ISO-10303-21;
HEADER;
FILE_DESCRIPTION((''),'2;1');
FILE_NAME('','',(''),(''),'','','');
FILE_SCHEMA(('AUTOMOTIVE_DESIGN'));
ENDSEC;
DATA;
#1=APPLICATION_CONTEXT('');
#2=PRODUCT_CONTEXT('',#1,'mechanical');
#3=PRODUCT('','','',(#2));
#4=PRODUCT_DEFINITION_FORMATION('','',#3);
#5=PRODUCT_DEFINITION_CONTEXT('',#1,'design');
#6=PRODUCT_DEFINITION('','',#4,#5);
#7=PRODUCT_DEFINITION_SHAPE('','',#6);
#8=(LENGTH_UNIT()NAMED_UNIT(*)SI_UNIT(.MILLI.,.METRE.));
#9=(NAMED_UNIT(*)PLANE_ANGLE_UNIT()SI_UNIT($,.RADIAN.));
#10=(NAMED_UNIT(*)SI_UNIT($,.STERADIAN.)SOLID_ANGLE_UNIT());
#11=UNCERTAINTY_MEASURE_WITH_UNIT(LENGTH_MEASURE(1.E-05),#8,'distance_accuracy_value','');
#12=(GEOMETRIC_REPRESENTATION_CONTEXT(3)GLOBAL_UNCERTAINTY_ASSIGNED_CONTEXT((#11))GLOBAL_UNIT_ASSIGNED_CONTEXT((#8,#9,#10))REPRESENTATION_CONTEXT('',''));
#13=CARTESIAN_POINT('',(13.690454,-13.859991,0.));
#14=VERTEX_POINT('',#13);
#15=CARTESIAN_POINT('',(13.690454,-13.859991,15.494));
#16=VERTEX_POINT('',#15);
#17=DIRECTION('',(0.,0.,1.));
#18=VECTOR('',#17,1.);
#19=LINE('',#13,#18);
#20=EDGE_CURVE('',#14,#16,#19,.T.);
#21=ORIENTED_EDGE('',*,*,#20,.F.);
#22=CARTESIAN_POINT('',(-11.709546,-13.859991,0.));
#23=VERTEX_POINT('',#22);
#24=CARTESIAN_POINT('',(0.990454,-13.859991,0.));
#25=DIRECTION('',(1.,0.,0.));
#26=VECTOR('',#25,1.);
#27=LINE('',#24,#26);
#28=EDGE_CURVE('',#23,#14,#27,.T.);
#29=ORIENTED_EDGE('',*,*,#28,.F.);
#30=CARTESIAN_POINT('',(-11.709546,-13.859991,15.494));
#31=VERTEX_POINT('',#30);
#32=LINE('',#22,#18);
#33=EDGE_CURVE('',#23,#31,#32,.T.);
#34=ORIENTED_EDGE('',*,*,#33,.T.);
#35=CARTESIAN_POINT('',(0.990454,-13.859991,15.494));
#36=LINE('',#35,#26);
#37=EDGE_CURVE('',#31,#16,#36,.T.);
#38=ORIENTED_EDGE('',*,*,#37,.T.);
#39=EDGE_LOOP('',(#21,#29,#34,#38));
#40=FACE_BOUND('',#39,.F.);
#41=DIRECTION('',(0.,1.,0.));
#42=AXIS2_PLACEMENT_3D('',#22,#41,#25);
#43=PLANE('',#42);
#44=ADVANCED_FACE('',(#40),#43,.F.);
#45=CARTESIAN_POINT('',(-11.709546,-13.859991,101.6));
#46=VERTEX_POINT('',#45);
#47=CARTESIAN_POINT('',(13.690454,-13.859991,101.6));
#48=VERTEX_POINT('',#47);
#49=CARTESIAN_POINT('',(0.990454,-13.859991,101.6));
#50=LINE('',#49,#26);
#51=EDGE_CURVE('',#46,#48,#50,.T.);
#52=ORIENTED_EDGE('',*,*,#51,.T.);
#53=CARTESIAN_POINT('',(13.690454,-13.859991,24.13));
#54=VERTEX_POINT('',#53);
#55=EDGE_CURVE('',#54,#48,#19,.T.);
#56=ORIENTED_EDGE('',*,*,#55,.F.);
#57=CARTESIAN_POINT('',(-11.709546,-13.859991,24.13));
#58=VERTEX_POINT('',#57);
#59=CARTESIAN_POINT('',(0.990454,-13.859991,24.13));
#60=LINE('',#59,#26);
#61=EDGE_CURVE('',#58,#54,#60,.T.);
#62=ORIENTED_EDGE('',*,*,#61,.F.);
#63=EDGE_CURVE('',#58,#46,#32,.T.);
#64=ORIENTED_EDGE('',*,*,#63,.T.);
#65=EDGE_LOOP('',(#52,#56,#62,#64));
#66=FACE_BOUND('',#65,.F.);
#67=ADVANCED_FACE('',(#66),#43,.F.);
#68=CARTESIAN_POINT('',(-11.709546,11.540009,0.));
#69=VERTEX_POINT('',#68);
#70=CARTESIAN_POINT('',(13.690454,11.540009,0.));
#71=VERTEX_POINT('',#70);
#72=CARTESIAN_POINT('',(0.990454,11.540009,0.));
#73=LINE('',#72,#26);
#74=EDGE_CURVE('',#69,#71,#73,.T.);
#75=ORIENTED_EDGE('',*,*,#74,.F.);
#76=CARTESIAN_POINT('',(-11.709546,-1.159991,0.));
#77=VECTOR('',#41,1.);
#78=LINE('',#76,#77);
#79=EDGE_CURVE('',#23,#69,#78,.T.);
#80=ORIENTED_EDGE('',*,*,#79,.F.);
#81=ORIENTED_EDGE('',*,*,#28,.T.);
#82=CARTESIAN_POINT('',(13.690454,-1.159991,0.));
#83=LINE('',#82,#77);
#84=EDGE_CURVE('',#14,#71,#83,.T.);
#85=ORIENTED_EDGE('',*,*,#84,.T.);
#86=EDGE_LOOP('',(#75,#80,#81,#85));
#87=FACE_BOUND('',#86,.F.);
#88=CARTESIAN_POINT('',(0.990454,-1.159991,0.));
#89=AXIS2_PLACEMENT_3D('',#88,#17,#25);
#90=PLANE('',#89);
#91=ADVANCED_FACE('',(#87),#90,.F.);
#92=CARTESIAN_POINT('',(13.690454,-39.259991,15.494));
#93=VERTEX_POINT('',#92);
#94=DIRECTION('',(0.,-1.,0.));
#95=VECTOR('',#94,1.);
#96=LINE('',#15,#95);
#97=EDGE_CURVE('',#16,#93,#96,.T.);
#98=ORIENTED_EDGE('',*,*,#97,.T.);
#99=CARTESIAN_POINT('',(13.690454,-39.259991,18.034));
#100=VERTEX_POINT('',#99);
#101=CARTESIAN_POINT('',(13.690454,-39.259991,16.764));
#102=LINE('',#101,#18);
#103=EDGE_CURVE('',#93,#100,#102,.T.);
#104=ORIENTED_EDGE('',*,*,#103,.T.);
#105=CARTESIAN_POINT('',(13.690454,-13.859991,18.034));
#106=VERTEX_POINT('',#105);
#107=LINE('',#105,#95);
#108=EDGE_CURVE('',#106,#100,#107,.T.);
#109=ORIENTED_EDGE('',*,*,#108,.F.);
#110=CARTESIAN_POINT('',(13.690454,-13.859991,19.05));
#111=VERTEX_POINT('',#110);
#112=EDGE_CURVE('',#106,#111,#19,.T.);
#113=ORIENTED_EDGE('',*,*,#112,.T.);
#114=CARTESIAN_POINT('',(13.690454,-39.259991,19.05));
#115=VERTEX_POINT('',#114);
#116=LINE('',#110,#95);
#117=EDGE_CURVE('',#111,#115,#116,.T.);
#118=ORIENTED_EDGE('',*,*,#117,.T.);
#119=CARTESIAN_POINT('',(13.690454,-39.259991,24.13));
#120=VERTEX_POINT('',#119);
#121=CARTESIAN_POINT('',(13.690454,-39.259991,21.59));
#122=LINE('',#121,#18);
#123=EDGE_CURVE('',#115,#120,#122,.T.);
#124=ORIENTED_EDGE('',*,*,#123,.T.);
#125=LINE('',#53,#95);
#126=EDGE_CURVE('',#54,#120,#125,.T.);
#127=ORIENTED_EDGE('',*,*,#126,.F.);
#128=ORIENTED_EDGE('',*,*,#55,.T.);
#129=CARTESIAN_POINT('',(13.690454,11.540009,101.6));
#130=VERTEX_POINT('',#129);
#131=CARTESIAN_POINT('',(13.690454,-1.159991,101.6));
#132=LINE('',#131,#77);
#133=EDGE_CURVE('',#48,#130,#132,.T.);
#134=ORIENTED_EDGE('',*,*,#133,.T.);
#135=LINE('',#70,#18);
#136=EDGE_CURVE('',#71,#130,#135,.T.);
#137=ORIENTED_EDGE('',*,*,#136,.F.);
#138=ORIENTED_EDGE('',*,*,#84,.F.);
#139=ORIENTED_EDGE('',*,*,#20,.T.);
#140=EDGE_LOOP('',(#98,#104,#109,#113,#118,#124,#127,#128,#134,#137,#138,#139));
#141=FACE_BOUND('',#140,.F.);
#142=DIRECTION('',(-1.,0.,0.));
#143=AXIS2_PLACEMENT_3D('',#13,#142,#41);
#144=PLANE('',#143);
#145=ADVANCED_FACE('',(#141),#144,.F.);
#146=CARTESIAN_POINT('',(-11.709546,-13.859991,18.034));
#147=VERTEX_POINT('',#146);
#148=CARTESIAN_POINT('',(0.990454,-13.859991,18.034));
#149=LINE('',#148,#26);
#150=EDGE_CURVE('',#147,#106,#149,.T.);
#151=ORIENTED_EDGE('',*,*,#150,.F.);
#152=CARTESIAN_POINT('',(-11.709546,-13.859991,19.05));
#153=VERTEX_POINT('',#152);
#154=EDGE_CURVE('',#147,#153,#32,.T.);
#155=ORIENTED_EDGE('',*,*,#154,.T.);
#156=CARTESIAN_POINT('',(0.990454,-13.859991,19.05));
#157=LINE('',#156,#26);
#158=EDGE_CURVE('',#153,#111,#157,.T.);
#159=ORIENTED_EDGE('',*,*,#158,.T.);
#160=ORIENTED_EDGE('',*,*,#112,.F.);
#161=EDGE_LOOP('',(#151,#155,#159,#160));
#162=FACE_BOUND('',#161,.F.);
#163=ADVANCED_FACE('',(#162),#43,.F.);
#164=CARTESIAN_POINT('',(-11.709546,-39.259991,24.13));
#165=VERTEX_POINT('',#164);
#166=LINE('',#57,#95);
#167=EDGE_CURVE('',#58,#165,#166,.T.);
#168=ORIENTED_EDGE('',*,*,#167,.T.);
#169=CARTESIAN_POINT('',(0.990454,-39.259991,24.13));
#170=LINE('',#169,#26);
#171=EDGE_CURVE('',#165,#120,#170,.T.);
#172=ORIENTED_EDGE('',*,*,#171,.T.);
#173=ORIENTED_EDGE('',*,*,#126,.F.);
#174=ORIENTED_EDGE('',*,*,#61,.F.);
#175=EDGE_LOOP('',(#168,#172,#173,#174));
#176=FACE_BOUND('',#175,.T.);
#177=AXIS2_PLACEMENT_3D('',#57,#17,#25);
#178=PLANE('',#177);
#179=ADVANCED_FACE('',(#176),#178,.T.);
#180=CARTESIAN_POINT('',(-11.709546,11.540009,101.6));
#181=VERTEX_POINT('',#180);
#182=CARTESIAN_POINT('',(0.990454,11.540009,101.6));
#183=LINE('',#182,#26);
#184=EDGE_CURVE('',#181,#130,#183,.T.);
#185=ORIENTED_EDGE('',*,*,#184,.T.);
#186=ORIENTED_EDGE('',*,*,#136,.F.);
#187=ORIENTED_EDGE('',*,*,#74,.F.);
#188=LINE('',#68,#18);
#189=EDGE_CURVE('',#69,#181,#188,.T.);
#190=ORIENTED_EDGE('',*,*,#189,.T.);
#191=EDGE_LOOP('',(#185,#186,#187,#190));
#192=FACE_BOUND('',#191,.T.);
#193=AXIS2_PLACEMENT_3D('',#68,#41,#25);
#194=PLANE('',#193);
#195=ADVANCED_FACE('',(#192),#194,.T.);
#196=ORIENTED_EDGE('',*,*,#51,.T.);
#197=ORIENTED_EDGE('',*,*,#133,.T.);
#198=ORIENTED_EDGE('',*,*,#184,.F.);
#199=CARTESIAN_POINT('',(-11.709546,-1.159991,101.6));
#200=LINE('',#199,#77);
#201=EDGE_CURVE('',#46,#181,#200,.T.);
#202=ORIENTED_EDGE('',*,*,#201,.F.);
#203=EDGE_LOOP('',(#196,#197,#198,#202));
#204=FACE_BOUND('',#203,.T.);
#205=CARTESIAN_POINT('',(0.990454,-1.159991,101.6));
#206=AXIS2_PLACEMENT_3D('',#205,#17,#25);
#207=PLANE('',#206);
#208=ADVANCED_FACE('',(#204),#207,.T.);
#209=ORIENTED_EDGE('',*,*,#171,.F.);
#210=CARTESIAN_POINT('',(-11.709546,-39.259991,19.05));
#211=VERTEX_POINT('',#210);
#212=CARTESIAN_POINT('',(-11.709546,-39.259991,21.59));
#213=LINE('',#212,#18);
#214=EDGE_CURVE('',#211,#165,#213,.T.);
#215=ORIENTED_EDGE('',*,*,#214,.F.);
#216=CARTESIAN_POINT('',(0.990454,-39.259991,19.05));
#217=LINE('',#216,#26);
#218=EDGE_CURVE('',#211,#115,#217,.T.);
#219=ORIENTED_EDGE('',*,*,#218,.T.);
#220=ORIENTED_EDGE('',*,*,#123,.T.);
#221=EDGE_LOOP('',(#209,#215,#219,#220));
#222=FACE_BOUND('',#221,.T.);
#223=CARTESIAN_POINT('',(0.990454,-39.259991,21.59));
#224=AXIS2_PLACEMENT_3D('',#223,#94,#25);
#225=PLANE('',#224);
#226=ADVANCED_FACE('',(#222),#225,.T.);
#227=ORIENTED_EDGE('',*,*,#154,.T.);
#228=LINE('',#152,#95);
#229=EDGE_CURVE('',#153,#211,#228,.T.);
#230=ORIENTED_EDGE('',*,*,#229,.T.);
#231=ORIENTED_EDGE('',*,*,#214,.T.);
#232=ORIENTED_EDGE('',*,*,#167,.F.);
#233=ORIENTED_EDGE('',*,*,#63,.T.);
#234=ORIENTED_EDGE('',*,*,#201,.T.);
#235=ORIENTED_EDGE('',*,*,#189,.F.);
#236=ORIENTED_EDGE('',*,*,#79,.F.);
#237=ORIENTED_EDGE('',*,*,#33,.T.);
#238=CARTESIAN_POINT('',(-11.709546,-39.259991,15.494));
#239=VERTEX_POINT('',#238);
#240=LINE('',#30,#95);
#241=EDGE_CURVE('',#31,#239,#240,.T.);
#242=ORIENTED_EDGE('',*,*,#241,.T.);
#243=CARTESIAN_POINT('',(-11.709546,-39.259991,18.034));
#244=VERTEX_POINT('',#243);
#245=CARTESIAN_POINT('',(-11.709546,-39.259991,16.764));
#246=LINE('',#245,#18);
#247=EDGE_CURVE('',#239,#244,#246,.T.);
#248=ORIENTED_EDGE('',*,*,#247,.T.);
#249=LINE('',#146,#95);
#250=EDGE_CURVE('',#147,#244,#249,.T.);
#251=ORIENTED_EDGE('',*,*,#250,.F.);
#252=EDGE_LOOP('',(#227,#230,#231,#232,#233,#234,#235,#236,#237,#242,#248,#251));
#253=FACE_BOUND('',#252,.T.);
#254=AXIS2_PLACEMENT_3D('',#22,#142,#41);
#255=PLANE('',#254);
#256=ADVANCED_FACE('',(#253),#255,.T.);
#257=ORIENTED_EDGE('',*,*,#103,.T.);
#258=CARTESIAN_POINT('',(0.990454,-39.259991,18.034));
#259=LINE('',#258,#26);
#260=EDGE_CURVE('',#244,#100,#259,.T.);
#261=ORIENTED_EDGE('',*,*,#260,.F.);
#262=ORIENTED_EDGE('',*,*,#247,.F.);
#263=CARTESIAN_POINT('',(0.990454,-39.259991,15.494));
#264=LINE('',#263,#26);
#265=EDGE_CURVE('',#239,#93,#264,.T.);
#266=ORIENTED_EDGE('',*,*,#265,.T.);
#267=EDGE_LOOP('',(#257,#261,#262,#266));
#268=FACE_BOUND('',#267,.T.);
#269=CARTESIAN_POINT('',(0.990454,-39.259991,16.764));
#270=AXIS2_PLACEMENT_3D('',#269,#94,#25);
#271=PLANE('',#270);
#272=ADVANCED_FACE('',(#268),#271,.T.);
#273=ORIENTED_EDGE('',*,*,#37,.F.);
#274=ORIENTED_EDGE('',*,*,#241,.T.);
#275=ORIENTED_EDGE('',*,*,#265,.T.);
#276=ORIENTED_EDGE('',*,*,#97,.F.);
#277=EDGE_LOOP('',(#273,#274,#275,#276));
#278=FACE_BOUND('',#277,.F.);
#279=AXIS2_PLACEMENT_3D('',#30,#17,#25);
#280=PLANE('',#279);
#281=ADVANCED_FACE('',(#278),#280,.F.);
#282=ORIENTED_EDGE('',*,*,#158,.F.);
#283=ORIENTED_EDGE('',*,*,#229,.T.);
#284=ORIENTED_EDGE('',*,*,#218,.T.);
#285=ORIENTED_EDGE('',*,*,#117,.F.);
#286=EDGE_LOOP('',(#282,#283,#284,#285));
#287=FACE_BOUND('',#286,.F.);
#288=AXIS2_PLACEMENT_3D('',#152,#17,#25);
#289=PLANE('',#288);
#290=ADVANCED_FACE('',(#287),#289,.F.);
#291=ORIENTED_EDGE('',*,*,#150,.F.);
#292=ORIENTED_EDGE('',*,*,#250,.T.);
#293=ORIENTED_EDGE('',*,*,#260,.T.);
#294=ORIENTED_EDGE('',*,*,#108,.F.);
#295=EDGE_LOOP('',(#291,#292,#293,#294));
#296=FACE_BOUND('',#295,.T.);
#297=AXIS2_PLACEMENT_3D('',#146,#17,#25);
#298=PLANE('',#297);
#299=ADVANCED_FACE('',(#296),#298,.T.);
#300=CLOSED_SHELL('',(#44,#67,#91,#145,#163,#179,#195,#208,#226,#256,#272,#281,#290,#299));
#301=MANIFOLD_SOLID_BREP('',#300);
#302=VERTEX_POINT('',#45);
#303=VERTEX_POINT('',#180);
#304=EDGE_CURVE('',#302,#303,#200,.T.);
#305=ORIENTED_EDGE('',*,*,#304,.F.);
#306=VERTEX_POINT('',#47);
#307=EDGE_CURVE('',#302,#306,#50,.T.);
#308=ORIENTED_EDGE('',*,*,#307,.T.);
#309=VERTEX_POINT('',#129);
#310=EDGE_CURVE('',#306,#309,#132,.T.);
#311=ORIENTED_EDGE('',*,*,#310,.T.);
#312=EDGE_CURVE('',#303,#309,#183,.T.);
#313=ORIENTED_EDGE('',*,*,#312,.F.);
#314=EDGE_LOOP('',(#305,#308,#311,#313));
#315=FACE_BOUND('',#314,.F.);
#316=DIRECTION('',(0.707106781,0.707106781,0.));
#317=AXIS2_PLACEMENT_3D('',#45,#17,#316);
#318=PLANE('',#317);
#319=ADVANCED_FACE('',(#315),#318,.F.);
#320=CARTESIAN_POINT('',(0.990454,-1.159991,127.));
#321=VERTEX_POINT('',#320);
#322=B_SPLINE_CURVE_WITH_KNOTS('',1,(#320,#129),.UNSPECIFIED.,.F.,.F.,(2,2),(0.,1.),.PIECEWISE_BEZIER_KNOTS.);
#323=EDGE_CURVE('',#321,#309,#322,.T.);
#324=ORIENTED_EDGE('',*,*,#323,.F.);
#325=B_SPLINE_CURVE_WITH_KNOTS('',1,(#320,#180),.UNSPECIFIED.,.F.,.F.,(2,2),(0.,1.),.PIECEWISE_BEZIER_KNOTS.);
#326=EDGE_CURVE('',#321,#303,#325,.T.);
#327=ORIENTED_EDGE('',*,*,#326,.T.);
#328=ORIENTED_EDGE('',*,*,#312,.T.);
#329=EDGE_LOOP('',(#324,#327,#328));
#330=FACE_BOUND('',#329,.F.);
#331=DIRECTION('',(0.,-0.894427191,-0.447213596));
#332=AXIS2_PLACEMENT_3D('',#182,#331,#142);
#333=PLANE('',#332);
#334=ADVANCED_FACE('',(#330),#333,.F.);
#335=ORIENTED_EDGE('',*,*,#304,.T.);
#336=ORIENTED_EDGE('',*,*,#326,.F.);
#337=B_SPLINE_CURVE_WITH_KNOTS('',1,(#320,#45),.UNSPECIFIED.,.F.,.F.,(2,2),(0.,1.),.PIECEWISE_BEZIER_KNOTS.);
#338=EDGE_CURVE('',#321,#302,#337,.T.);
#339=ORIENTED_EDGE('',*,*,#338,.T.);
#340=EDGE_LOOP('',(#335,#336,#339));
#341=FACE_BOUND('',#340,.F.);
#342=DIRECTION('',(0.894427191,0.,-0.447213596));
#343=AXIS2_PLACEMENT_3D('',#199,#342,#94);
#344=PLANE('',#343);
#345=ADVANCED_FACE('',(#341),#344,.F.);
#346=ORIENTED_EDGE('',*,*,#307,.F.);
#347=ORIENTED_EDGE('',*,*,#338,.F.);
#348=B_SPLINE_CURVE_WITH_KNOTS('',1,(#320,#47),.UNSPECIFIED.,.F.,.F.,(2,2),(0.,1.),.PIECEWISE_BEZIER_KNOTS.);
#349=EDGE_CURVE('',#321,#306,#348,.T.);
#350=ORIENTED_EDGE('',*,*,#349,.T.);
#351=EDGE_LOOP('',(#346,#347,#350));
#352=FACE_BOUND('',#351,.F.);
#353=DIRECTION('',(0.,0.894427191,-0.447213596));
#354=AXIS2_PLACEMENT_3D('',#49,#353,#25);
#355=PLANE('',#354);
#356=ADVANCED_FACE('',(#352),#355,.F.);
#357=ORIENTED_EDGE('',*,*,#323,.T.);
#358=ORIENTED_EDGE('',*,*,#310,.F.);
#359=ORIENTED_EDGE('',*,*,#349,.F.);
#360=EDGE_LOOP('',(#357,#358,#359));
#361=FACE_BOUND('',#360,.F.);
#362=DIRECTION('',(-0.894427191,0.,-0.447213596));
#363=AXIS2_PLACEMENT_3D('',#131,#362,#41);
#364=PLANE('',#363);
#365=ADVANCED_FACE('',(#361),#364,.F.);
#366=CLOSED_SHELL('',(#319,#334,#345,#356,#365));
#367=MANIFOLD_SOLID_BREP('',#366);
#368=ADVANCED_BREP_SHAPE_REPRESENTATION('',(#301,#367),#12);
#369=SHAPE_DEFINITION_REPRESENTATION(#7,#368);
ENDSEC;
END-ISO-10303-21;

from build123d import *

# Parameters (mm, degrees)
F0_W      = 25.4
F0_H      = 25.4
F1_DEPTH  = 101.6
F1_FACE_W = 25.4
F1_FACE_H = 25.4
F5_W      = 25.4
F5_H      = 5.08
F7_DEPTH  = 25.4
F6_W      = 25.4
F6_H      = 2.54
F8_DEPTH  = 25.4


with BuildPart() as f1:
    # F0 (on Top) → F1 (new body)
    with BuildSketch(Plane.XY):
        with Locations((0.9904544594, -1.1599909367)):
            Rectangle(F0_W, F0_H)
    extrude(amount=F1_DEPTH)

    # F5 (on face) → F7 (join)
    with BuildSketch(Plane.XZ.offset(13.8599909367)):
        with Locations((0.9904544594, 21.59)):
            Rectangle(F5_W, F5_H)
    extrude(amount=F7_DEPTH)

    # F6 (on face) → F8 (join)
    with BuildSketch(Plane.XZ.offset(13.8599909367)):
        with Locations((0.9904544594, 16.764)):
            Rectangle(F6_W, F6_H)
    extrude(amount=F8_DEPTH)


with BuildPart() as f4:
    # F1_face (on face) → F4 section 0
    with BuildSketch(Plane(origin=(0.9904544594, -1.1599909367, 101.6), x_dir=(1, 0, 0), z_dir=(0, 0, 1)), mode=Mode.PRIVATE) as f4_s0:
        Rectangle(F1_FACE_W, F1_FACE_H)
    loft([Vertex(0.9904544594, -1.1599909367, 127), f4_s0.sketch])


solid = Compound([f1.part, f4.part])
